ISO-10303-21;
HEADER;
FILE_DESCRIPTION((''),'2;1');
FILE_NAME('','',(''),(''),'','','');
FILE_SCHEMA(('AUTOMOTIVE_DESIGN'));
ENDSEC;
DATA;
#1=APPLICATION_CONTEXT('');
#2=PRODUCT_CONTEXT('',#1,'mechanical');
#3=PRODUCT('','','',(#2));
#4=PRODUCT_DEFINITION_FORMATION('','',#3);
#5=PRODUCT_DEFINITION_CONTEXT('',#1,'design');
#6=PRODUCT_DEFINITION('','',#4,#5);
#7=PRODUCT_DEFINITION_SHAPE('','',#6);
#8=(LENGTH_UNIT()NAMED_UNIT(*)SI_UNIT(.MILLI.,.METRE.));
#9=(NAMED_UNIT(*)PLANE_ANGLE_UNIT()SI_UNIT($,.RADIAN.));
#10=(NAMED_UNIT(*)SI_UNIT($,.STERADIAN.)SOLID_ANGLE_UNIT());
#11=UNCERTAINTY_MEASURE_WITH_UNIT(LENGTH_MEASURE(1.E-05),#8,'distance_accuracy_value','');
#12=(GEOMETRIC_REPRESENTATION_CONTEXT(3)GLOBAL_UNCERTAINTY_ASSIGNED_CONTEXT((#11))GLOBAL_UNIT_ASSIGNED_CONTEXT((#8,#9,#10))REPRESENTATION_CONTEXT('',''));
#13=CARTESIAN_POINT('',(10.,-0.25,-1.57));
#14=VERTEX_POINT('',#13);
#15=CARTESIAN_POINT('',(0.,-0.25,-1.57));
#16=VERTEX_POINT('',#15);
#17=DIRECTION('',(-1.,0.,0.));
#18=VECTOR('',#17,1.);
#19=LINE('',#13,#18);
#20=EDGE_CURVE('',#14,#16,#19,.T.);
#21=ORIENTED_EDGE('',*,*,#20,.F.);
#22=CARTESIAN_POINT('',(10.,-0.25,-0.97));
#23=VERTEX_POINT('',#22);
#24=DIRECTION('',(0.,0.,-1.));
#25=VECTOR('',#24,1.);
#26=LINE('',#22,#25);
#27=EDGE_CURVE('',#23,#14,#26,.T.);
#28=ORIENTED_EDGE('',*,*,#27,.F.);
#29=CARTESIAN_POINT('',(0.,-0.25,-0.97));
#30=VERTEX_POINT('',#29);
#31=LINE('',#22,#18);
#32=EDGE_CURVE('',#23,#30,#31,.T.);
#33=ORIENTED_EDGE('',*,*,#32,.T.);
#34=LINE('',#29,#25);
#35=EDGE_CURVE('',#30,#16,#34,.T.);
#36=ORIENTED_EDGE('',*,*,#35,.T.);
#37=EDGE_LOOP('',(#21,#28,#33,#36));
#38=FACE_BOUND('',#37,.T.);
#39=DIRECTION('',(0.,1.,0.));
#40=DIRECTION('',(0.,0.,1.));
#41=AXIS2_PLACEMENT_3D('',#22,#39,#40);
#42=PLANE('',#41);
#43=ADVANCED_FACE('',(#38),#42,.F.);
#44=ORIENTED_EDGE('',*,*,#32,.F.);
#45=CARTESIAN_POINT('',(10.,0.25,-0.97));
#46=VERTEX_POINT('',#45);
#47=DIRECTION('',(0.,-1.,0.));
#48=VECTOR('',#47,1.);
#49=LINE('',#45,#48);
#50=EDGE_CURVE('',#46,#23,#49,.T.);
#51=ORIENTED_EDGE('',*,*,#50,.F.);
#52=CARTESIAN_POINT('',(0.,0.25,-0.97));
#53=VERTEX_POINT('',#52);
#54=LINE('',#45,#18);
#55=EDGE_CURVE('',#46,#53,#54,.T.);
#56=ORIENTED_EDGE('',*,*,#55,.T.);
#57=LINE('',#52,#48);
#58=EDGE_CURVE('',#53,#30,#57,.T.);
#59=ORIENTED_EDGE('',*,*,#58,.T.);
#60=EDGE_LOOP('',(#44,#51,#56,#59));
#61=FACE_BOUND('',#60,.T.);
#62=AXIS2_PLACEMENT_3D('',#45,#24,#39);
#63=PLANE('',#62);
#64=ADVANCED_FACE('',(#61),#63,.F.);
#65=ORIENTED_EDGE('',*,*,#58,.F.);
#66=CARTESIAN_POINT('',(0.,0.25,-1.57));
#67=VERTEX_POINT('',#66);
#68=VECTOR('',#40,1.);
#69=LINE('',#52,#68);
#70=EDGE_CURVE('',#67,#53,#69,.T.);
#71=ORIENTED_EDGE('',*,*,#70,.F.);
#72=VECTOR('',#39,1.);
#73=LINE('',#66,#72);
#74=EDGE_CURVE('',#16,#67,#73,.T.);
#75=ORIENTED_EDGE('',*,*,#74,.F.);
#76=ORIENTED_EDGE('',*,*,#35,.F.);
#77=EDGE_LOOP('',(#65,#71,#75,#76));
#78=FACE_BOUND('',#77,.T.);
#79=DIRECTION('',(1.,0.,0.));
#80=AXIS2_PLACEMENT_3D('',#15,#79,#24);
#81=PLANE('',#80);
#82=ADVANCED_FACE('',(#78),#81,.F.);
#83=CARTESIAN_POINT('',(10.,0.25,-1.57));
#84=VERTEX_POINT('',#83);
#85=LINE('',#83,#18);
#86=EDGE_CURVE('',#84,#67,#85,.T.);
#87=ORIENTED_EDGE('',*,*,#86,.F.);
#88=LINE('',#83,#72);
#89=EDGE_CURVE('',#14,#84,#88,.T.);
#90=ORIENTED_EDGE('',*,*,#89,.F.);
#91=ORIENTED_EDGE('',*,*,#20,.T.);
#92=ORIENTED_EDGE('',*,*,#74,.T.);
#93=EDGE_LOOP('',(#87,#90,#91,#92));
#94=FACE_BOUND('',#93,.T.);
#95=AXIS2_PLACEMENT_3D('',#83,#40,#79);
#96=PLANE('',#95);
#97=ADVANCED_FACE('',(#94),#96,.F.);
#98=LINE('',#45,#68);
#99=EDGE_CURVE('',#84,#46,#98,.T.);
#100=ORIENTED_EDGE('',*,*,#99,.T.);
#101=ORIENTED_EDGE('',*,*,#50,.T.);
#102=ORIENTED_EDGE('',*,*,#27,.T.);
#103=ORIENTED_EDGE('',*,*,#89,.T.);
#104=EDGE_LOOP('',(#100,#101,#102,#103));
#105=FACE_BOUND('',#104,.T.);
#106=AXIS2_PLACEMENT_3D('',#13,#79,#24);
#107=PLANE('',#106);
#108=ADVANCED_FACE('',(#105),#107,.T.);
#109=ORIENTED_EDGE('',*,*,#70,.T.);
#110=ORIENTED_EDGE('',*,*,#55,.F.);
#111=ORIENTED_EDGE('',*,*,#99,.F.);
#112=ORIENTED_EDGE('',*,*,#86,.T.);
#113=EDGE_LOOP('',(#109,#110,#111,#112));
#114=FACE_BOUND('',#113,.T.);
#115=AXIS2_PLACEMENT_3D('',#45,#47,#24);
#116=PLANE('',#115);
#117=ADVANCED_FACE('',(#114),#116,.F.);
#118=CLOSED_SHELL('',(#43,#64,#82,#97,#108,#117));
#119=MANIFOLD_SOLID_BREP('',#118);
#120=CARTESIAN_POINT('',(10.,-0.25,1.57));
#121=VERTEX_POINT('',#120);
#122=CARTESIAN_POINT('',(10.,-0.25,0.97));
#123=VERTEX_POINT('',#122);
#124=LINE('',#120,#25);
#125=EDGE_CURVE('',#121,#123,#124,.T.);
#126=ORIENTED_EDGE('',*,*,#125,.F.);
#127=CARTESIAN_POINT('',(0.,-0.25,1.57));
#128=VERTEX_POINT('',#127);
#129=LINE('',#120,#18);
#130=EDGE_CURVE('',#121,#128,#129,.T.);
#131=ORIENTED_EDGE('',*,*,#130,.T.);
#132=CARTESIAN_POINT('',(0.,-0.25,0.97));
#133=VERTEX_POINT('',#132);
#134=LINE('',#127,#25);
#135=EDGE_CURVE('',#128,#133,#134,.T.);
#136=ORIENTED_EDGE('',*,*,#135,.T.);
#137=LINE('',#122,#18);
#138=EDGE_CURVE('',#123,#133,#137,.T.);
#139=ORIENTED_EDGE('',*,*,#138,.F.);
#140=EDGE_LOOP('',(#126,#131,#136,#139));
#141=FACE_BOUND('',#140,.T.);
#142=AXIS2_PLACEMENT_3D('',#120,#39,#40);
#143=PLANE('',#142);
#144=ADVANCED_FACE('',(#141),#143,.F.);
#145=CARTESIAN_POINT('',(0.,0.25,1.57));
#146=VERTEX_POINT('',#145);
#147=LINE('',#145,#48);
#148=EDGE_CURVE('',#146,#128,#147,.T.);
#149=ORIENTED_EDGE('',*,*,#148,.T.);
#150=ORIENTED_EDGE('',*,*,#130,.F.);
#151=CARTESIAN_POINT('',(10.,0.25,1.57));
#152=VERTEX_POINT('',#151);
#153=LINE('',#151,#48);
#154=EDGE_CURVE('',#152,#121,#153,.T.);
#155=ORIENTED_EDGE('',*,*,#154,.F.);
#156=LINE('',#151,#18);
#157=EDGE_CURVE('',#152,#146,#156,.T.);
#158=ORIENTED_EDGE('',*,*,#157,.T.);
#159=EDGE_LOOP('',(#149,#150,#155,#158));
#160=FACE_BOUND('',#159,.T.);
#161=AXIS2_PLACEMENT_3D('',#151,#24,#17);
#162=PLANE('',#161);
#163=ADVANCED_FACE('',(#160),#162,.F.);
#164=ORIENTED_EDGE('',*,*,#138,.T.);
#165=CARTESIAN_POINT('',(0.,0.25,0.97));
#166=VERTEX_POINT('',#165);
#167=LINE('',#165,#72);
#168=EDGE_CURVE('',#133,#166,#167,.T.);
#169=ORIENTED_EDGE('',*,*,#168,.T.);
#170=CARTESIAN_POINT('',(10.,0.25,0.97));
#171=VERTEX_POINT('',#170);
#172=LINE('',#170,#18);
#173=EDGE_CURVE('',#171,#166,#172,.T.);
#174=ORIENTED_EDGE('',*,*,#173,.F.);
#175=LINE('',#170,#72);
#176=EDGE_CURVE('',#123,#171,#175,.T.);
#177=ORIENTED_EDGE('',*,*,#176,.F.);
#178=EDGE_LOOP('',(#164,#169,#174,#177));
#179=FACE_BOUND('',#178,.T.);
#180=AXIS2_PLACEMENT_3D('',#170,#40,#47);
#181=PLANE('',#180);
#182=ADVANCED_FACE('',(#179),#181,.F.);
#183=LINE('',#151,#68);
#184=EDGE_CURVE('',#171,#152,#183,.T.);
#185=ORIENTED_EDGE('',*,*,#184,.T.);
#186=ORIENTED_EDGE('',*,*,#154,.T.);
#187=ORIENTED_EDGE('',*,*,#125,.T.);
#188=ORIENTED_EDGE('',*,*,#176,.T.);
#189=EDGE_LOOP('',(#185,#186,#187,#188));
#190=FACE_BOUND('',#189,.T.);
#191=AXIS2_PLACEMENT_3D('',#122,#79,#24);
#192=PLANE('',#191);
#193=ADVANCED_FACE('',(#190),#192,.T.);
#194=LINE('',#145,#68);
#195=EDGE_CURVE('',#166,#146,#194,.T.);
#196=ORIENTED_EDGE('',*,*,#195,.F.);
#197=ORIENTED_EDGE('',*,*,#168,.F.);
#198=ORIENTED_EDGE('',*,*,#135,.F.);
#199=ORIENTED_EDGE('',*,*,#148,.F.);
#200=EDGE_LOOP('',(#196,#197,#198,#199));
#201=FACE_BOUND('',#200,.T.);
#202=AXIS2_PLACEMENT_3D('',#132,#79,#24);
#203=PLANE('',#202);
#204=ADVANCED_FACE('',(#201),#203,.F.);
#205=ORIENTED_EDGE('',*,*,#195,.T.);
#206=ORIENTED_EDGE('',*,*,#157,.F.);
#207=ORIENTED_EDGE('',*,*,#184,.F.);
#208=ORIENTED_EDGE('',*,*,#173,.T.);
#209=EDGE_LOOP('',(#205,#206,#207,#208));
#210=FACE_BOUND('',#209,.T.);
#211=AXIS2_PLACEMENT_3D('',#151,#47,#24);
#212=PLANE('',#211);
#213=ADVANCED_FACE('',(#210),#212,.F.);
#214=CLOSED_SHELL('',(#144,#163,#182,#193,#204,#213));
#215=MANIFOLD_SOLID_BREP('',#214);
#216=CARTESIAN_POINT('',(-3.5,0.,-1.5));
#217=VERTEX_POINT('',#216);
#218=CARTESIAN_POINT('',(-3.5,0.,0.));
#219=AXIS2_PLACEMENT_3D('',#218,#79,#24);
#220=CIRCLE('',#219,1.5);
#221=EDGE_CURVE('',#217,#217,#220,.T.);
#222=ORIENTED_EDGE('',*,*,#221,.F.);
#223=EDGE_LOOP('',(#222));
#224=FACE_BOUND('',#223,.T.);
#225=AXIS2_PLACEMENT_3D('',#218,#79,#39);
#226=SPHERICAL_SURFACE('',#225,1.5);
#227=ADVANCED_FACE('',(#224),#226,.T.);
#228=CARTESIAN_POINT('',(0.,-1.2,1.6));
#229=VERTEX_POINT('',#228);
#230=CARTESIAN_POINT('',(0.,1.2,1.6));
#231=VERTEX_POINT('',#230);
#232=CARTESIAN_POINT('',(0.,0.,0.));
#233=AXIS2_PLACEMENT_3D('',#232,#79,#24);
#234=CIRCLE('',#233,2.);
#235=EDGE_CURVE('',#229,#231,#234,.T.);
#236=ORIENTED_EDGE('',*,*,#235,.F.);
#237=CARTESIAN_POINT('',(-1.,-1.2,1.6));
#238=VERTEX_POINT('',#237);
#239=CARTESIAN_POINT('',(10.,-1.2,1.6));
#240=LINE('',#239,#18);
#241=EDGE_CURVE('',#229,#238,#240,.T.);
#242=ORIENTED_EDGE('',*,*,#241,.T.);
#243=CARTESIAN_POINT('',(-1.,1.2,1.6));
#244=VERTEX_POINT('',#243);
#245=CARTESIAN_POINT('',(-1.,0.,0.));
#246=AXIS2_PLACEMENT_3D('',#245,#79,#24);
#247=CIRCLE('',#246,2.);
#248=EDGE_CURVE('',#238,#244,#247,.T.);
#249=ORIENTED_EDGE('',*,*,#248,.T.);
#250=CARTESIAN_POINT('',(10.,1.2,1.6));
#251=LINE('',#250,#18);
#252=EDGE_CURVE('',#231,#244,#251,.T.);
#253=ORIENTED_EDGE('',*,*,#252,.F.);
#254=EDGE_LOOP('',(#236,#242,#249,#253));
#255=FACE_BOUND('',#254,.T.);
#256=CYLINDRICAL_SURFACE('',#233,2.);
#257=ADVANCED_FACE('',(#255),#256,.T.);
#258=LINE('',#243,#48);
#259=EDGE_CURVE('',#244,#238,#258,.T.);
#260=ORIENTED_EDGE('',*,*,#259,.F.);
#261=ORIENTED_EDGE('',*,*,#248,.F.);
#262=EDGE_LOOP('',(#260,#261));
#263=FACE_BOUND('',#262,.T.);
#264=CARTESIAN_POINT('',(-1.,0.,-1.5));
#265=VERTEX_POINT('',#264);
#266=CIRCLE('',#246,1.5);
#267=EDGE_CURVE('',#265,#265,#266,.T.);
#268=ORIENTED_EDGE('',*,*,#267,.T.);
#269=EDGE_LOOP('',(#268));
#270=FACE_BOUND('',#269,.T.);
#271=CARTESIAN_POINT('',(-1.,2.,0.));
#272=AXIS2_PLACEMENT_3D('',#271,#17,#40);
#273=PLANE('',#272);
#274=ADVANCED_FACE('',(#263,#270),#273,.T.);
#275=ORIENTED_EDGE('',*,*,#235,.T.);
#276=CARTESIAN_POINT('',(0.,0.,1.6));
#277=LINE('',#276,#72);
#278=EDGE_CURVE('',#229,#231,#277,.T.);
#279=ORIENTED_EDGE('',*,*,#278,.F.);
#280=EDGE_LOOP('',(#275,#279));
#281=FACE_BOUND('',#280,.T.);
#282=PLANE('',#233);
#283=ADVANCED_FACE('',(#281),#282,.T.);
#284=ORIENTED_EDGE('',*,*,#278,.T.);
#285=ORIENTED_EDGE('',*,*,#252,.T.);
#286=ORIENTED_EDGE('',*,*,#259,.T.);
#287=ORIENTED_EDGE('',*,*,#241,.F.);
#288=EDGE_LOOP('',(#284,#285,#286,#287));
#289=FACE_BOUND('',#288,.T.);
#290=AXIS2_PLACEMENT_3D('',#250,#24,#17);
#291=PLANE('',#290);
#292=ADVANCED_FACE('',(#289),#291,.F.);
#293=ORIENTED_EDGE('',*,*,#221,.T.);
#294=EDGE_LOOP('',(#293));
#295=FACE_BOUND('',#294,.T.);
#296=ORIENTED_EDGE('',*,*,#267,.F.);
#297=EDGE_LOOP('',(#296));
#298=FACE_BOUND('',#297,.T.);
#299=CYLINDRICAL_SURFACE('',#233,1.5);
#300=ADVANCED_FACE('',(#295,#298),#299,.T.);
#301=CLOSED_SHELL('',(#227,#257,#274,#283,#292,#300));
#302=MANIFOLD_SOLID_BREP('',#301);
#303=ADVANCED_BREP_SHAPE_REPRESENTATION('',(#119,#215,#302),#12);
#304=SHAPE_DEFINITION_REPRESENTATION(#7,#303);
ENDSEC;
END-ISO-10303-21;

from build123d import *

# Parameters (mm, degrees)
SKETCH_2_W          = 0.6
SKETCH_2_H          = 0.5
EXTRUDE_1_DEPTH     = 10
EXTRUDE_1_2_DEPTH   = 10
SKETCH_3_W          = 0.8
SKETCH_3_H          = 2.4
CUT_EXTRUDE_1_DEPTH = 12


with BuildPart() as part:
    # Эскиз1 → Повернуть1 (revolve)
    with BuildSketch(Plane.XY):
        with BuildLine():
            Line((0, 0), (0, 2))
            Line((0, 2), (-1, 2))
            Line((-1, 2), (-1, 1.5))
            Line((-1, 1.5), (-3.5, 1.5))
            ThreePointArc((-3.5, 1.5), (-4.560660172, 1.060660172), (-5, 0))
            Line((-5, 0), (0, 0))
        make_face()
    revolve(axis=Axis((0, 0, 0), (-1, 0, 0)))

    # Эскиз3 → Вырез-Вытянуть1 (cut, through all)
    with BuildSketch(Plane.ZY.offset(1)):
        with Locations((2, 0)):
            Rectangle(SKETCH_3_W, SKETCH_3_H)
    extrude(amount=-CUT_EXTRUDE_1_DEPTH, mode=Mode.SUBTRACT)


with BuildPart() as body_2:
    # Эскиз2 → Бобышка-Вытянуть1 (new body)
    with BuildSketch(Plane(origin=(0, 0, 0), x_dir=(0, 0, -1), z_dir=(1, 0, 0))):
        with Locations((-1.27, 0)):
            Rectangle(SKETCH_2_W, SKETCH_2_H)
    extrude(amount=EXTRUDE_1_DEPTH)


with BuildPart() as body_3:
    # Эскиз2 → Extrude 1 2 (new body)
    with BuildSketch(Plane(origin=(0, 0, 0), x_dir=(0, 0, -1), z_dir=(1, 0, 0))):
        with Locations((1.27, 0)):
            Rectangle(SKETCH_2_W, SKETCH_2_H)
    extrude(amount=EXTRUDE_1_2_DEPTH)


solid = Compound([part.part, body_2.part, body_3.part])
